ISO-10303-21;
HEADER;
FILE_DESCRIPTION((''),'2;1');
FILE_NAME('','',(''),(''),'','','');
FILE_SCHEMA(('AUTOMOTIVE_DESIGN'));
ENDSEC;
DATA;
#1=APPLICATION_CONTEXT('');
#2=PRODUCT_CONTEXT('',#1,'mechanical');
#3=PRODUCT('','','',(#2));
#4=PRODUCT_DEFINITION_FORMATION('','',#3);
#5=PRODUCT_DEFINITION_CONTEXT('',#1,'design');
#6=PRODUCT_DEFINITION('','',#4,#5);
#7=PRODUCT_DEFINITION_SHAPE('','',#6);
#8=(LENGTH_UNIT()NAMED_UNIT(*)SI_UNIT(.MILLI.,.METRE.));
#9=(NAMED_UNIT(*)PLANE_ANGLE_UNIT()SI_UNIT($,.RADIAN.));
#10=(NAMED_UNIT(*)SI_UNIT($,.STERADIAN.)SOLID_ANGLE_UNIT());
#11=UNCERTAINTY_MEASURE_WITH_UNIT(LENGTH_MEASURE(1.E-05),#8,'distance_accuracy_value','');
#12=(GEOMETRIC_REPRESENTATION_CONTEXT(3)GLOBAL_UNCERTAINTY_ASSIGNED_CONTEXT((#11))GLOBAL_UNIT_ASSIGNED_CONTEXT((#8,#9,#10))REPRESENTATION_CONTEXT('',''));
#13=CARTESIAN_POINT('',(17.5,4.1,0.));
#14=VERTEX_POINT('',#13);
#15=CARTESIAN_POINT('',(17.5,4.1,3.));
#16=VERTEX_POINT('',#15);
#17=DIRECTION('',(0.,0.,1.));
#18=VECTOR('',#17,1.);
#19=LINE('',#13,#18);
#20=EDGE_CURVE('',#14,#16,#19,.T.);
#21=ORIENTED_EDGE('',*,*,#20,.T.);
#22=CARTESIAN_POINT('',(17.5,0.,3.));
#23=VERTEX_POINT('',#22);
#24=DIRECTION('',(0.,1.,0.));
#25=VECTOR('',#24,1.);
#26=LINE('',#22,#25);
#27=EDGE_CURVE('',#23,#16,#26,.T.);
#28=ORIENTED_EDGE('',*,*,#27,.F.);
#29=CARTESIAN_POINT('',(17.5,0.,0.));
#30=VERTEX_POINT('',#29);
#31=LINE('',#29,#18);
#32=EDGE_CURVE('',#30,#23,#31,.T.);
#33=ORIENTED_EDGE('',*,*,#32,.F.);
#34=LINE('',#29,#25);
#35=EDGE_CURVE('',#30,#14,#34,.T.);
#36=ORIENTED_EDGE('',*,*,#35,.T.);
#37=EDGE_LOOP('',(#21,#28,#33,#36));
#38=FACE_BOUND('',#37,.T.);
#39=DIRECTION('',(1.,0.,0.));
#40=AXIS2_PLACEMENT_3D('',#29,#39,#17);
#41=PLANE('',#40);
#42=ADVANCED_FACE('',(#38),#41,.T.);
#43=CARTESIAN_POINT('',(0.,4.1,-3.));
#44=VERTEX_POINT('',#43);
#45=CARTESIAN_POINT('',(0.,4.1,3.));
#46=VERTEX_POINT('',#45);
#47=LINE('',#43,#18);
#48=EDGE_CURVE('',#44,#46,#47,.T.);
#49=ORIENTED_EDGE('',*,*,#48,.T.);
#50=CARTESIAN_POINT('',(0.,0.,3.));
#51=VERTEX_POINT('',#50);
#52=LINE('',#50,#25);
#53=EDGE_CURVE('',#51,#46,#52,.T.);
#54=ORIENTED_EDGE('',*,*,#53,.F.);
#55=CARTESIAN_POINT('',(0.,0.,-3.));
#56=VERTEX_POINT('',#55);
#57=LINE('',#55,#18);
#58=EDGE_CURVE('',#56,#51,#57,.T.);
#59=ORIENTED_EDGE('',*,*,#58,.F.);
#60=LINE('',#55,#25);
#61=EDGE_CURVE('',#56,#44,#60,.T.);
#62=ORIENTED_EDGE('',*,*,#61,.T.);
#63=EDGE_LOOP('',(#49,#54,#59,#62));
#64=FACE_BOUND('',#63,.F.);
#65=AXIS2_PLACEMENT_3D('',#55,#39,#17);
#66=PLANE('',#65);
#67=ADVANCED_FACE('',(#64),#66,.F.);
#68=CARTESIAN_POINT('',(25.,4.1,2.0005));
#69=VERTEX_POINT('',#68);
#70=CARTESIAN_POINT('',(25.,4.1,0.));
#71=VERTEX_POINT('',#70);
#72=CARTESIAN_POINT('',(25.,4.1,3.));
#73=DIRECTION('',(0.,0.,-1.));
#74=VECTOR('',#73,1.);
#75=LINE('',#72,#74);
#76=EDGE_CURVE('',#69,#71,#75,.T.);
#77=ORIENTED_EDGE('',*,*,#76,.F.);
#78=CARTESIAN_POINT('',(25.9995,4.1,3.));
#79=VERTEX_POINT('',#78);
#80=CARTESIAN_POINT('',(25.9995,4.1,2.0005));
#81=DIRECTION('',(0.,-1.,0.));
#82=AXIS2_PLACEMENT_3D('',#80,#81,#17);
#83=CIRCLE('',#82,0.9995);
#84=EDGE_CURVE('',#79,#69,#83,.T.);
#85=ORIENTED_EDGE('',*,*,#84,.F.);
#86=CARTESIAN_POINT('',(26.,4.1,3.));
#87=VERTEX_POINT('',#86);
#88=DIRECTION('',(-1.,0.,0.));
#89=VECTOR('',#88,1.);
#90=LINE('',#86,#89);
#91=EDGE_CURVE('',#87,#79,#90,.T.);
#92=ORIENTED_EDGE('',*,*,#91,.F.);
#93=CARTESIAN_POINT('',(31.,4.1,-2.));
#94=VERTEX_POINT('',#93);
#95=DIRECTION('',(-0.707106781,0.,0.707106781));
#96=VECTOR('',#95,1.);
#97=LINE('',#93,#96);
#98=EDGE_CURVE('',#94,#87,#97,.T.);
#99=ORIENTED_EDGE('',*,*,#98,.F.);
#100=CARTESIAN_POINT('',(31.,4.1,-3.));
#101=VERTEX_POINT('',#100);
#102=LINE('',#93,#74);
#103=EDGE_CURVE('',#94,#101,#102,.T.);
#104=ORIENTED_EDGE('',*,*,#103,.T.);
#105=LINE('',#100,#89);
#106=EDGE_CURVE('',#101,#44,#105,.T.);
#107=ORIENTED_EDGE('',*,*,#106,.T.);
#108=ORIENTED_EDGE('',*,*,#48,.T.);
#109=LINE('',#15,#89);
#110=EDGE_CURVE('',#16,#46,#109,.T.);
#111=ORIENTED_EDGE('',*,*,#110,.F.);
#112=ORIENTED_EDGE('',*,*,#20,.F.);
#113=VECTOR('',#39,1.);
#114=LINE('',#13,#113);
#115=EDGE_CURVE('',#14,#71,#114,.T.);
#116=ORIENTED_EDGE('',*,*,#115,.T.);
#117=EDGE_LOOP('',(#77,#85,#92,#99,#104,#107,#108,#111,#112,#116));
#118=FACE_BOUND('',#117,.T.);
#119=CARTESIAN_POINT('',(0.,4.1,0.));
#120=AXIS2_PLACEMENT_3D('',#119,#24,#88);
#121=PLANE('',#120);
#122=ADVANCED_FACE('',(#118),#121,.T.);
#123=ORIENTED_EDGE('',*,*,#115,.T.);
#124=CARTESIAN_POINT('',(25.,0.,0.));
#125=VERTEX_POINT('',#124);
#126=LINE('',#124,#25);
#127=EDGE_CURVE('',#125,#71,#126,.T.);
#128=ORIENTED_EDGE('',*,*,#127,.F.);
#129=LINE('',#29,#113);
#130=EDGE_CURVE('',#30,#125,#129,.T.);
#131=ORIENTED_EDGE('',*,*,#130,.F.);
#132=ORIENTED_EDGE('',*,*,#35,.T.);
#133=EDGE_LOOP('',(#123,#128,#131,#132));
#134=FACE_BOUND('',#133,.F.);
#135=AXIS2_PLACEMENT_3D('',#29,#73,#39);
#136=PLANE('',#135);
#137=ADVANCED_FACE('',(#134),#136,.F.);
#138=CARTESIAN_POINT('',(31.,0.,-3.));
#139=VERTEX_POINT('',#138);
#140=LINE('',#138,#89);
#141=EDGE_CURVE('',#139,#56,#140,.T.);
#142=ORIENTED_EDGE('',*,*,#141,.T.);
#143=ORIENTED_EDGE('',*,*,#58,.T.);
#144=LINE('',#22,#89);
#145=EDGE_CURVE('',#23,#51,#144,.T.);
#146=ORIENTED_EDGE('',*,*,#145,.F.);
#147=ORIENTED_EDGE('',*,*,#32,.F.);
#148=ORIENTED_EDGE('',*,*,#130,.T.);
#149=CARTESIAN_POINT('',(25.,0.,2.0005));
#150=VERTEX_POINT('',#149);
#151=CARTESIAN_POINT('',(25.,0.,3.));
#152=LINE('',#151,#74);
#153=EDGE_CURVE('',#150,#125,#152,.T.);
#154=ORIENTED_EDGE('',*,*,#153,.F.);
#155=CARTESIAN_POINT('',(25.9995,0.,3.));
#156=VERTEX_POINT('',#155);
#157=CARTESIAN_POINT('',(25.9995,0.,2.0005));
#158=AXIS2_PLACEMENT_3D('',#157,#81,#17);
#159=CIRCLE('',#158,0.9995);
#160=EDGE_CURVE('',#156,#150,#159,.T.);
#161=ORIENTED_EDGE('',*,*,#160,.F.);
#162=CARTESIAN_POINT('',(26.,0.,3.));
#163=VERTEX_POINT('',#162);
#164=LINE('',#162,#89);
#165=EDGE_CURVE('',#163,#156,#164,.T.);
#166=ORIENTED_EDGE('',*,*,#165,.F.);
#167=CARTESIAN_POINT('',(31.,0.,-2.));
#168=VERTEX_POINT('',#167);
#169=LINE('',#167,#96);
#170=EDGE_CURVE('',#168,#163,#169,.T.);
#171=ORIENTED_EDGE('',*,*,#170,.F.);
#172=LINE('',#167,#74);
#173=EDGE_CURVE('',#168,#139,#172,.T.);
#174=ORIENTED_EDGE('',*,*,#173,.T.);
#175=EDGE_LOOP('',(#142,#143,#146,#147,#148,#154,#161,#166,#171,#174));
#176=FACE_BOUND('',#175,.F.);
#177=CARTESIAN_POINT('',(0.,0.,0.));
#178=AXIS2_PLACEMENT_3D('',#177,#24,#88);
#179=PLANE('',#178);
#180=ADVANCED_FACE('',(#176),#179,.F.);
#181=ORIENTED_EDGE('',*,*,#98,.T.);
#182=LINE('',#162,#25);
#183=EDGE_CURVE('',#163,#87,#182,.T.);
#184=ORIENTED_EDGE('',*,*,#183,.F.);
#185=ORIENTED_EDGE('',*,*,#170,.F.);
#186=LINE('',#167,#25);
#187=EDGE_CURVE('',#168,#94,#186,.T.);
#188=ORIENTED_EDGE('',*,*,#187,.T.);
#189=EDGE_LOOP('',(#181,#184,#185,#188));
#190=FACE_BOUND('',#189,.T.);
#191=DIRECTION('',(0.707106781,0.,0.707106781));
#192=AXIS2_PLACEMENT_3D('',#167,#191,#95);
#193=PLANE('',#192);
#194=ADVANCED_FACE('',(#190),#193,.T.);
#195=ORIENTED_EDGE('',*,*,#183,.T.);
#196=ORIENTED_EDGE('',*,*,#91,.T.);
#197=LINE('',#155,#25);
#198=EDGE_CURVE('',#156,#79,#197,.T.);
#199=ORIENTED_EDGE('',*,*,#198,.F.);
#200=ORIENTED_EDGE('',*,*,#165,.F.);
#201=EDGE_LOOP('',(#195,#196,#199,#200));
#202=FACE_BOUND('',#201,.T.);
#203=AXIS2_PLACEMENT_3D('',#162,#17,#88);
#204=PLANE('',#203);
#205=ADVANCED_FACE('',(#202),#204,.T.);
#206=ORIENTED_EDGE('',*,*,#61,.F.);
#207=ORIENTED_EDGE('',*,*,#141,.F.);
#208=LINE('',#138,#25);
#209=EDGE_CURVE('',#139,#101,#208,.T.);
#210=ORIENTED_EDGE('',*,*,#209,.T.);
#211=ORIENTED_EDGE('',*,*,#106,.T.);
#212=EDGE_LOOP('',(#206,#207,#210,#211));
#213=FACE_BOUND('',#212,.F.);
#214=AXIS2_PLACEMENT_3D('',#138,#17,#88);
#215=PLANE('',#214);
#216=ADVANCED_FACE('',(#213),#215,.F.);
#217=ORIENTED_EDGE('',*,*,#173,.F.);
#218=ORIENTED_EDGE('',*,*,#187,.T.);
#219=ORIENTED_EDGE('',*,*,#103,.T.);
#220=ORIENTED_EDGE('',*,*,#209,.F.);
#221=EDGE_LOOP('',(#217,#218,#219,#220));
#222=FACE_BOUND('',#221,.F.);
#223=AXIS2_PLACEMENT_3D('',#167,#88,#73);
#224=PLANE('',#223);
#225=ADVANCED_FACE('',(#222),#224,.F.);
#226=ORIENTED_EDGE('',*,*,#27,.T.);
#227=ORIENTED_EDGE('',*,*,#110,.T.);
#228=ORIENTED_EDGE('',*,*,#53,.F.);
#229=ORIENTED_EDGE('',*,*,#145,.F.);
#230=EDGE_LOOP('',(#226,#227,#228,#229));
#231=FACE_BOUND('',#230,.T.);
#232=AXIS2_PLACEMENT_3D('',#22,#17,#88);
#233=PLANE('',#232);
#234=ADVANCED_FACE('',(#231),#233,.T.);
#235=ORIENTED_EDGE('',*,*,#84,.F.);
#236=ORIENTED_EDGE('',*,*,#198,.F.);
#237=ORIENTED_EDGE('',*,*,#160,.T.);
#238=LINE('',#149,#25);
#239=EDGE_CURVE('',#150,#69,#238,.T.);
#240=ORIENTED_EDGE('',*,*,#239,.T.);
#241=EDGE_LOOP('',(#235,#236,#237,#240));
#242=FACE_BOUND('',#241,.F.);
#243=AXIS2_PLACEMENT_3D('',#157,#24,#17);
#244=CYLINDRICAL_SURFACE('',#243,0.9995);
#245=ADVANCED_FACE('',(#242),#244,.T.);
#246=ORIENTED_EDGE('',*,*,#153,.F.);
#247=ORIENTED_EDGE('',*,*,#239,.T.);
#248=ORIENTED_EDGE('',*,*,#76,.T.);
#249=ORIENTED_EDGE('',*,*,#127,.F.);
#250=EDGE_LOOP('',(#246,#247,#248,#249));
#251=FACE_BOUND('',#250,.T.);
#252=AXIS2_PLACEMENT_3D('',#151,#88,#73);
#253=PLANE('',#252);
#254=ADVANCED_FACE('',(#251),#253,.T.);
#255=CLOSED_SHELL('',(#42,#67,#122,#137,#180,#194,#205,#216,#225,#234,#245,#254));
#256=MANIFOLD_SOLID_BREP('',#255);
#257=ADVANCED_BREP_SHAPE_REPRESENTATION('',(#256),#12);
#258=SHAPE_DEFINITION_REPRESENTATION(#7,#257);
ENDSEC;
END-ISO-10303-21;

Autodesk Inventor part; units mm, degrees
ref_plane "YZ Plane" through (0, 0, 0) normal (1, 0, 0) x (0, 1, 0)
ref_plane "XZ Plane" through (0, 0, 0) normal (0, 1, 0) x (-1, 0, 0)
ref_plane "XY Plane" through (0, 0, 0) normal (0, 0, 1) x (1, 0, 0)
sketch "Skizze5" plane through (0, 0, 0) normal (0, 1, 0) x (-1, 0, 0)
  line L0 (-17.5, 0) -> (-25, 0)
  line L1 (-31, -2) -> (-31, -3)
  line L2 (-31, -3) -> (0, -3)
  line L3 (0, -3) -> (0, 3)
  line L4 (-31, -2) -> (-26, 3)
  line L5 (-26, 3) -> (-25, 3)
  line L6 (-25, 3) -> (-25, 0)
  line L7 (-17.5, 0) -> (-17.5, 3)
  line L8 (-17.5, 3) -> (0, 3)
  point P0 (0, 0)
  point P1 (0, 0)
  dimension "d33" = 3
  dimension "d34" = 45
  dimension "d35" = 1
  dimension "d36" = 1
  dimension "d37" = 3
  dimension "d38" = 6
  dimension "d39" = 7.5
  dimension "d40" = 17.5
extrude "Extrusion4" add sketch "Skizze5" along normal blind 4.1
fillet "Rundung5" radius 1 1 edges at (25, 2.05, 3)
properties part number "P_Wing_Mountingplate_pin"
